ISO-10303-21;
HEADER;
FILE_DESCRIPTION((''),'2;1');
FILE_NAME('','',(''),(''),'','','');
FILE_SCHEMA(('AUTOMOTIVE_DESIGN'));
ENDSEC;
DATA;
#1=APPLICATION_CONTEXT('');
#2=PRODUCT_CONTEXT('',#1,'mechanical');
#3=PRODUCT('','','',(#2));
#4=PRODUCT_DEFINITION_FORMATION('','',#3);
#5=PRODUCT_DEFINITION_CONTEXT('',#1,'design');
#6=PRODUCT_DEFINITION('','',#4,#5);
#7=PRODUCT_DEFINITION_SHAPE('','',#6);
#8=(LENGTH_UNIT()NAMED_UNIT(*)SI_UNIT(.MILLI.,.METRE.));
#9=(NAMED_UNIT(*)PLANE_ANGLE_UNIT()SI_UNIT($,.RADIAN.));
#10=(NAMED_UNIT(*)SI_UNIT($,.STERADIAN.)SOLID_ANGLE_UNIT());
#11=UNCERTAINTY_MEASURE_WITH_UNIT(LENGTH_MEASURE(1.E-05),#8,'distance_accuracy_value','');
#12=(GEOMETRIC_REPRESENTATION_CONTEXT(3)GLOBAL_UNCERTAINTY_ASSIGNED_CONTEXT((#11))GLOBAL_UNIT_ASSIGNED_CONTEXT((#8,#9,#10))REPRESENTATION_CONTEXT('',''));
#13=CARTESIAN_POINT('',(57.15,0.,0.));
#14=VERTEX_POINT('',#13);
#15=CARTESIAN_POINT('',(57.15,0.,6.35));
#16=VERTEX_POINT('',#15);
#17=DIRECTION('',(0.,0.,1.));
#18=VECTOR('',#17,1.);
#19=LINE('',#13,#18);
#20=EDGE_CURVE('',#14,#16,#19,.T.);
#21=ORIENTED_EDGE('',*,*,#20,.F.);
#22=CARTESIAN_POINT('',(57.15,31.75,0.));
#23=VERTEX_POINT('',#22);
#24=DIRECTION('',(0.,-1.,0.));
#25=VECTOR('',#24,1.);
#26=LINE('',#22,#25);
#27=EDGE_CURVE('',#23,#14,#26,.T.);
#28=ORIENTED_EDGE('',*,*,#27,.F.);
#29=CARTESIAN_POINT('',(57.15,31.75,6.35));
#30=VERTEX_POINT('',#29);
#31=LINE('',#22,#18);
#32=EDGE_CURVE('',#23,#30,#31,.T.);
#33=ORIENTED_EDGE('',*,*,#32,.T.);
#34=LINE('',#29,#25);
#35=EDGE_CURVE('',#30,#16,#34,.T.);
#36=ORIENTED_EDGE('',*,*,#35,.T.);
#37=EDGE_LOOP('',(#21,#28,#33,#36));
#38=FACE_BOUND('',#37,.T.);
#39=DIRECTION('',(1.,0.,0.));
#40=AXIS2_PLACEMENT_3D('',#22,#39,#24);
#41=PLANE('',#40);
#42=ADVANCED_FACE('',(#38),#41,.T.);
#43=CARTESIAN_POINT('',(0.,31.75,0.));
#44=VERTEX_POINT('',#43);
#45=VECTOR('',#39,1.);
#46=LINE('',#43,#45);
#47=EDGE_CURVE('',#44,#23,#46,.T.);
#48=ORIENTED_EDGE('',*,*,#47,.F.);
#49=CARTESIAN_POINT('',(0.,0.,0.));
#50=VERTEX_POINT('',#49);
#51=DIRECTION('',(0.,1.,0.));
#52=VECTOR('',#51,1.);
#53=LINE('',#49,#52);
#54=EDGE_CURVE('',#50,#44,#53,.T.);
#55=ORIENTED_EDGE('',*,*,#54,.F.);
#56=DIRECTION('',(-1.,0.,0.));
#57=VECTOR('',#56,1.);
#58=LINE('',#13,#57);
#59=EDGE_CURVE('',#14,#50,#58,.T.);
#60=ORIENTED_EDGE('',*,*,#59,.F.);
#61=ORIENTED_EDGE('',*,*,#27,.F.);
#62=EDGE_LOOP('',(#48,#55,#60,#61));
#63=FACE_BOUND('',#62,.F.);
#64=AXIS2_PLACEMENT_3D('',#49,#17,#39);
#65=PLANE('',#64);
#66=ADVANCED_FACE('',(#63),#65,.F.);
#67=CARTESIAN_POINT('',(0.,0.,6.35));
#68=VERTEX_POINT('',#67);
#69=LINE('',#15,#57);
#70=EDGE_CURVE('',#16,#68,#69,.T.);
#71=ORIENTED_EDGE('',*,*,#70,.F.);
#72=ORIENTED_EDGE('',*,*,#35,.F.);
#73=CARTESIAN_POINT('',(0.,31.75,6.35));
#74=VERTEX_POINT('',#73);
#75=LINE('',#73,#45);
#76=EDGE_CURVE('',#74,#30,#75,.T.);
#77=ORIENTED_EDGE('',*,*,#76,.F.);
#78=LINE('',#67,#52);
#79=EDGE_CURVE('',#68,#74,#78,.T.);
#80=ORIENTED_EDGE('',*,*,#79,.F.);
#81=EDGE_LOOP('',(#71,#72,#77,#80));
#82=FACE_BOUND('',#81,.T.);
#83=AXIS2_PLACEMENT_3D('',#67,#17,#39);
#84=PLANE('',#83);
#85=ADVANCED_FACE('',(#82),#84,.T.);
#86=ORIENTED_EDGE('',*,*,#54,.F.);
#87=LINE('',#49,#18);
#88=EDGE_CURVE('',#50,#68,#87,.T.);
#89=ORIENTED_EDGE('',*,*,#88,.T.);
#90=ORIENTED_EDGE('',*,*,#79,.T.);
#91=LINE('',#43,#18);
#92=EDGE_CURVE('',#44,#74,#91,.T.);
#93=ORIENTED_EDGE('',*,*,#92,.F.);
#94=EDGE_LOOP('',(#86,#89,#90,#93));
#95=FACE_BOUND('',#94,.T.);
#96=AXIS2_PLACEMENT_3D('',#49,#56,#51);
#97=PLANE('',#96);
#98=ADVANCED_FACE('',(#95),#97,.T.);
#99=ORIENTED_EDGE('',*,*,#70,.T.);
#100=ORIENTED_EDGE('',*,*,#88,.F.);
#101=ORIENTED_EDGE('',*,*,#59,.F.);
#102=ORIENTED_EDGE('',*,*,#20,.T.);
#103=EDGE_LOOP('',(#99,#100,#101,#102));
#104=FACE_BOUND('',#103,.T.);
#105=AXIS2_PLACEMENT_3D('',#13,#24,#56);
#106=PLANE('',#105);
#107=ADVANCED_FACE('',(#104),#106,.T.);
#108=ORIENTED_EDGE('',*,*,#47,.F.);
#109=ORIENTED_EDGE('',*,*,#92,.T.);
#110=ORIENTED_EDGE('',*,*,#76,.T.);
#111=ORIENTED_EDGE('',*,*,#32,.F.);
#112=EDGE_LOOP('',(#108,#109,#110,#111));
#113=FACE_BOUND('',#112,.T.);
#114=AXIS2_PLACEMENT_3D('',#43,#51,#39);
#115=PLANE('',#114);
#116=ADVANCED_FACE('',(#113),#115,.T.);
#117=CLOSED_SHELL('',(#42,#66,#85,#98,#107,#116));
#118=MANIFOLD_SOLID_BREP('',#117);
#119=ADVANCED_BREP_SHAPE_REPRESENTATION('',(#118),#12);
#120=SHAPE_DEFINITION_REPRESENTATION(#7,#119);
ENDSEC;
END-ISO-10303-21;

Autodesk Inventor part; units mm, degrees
ref_plane "YZ Plane" through (0, 0, 0) normal (1, 0, 0) x (0, 1, 0)
ref_plane "XZ Plane" through (0, 0, 0) normal (0, 1, 0) x (-1, 0, 0)
ref_plane "XY Plane" through (0, 0, 0) normal (0, 0, 1) x (1, 0, 0)
sketch "Sketch1" plane through (0, 0, 0) normal (0, 0, 1) x (1, 0, 0)
  line L0 (0, 31.75) -> (57.15, 31.75)
  line L1 (57.15, 31.75) -> (57.15, 0)
  line L2 (57.15, 0) -> (0, 0)
  line L3 (0, 0) -> (0, 31.75)
  dimension "d0" = 57.15
  dimension "d2" = 31.75
extrude "Extrusion1" add sketch "Sketch1" along normal blind 6.35
properties part number "chute_back"
